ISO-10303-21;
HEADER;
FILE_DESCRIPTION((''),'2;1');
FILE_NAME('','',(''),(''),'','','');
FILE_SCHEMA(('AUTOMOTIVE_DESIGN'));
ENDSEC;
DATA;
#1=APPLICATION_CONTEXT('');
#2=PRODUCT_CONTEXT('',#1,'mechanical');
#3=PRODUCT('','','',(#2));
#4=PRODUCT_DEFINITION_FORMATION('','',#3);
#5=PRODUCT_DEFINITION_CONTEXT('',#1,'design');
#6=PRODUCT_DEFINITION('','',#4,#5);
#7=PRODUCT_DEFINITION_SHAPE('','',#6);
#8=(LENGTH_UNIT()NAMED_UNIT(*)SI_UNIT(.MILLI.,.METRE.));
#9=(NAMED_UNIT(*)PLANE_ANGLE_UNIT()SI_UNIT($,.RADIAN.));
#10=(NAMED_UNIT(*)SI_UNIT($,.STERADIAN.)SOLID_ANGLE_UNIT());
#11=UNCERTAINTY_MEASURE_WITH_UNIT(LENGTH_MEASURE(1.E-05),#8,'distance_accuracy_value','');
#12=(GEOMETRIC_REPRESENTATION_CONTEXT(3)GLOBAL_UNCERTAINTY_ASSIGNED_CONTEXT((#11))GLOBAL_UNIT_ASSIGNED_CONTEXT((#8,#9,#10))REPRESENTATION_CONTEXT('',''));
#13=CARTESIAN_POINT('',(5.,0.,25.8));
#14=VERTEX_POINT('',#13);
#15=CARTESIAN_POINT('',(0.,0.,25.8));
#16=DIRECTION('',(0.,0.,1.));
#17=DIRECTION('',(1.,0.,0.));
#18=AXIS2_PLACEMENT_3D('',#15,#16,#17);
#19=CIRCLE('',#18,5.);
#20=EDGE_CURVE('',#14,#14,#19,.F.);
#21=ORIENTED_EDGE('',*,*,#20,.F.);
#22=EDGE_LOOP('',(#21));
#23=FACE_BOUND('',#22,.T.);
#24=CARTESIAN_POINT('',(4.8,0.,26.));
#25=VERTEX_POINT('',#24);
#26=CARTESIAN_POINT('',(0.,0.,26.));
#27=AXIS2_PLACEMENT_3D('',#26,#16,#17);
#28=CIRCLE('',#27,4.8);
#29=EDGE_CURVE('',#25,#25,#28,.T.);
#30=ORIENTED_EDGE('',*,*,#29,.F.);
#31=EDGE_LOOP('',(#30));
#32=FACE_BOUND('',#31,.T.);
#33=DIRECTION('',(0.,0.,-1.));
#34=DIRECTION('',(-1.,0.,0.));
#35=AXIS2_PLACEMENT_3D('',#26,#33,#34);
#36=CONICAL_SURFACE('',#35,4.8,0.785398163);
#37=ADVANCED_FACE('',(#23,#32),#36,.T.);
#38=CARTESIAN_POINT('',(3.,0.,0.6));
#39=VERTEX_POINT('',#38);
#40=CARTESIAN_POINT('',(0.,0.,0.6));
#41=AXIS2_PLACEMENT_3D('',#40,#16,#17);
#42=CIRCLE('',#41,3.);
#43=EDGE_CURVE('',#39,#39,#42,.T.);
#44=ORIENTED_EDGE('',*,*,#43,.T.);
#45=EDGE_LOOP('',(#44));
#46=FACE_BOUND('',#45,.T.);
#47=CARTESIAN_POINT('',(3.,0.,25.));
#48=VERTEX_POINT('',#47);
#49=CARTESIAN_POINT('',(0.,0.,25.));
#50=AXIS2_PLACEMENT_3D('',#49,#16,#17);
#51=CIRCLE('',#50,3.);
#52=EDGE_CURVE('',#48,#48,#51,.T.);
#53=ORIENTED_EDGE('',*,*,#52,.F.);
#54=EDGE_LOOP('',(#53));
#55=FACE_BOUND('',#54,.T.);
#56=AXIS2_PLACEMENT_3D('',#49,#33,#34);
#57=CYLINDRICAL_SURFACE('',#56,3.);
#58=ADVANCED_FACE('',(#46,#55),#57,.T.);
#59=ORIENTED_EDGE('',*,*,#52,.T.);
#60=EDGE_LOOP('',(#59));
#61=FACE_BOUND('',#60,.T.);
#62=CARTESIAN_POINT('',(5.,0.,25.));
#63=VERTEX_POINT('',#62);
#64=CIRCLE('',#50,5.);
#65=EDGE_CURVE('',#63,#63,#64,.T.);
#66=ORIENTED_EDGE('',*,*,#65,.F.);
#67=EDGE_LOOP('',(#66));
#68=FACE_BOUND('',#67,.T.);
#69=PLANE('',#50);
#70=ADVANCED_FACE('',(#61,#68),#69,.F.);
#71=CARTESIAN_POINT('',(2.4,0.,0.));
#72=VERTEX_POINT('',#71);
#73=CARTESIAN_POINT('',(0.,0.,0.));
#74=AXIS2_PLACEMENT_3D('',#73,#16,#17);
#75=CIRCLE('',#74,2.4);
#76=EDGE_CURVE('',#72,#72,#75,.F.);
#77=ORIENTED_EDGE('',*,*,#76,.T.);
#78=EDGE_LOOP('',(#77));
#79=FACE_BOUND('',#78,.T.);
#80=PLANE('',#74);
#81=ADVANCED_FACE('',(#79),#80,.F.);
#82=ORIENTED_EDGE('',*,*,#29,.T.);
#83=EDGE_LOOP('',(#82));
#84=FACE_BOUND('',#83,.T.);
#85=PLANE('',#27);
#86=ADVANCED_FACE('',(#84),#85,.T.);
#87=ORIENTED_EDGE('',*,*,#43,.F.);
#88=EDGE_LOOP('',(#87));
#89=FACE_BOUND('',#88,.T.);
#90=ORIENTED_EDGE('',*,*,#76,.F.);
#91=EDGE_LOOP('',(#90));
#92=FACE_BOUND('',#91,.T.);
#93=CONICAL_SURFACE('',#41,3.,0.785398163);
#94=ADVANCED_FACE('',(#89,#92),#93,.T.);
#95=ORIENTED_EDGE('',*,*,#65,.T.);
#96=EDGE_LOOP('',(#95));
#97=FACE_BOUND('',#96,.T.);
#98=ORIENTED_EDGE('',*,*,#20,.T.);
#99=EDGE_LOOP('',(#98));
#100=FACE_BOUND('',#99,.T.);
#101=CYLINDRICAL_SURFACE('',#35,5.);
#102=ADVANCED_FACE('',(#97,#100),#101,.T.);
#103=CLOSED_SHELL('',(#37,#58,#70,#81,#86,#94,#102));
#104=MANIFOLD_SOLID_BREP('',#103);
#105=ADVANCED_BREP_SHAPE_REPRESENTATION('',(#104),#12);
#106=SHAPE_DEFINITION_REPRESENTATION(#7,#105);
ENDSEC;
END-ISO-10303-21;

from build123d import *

# Parameters (mm, degrees)
SKETCH1_R           = 3
BOSS_EXTRUDE1_DEPTH = 25
SKETCH2_R           = 5
BOSS_EXTRUDE2_DEPTH = 1
CHAMFER1_SIZE       = 0.6
CHAMFER2_SIZE       = 0.2


with BuildPart() as part:
    # Sketch1 → Boss-Extrude1 (new body)
    with BuildSketch(Plane.XY):
        Circle(SKETCH1_R)
    extrude(amount=BOSS_EXTRUDE1_DEPTH)

    # Sketch2 → Boss-Extrude2 (add)
    with BuildSketch(Plane.XY.offset(25)):
        Circle(SKETCH2_R)
    extrude(amount=BOSS_EXTRUDE2_DEPTH)

    # Chamfer1
    chamfer1_edges = [part.edges().sort_by_distance(p)[0] for p in [
        (-3, 0, 0),
    ]]
    chamfer(chamfer1_edges, length=CHAMFER1_SIZE)

    # Chamfer2
    chamfer2_edges = [part.edges().sort_by_distance(p)[0] for p in [
        (-5, 0, 26),
    ]]
    chamfer(chamfer2_edges, length=CHAMFER2_SIZE)


solid = part.part
